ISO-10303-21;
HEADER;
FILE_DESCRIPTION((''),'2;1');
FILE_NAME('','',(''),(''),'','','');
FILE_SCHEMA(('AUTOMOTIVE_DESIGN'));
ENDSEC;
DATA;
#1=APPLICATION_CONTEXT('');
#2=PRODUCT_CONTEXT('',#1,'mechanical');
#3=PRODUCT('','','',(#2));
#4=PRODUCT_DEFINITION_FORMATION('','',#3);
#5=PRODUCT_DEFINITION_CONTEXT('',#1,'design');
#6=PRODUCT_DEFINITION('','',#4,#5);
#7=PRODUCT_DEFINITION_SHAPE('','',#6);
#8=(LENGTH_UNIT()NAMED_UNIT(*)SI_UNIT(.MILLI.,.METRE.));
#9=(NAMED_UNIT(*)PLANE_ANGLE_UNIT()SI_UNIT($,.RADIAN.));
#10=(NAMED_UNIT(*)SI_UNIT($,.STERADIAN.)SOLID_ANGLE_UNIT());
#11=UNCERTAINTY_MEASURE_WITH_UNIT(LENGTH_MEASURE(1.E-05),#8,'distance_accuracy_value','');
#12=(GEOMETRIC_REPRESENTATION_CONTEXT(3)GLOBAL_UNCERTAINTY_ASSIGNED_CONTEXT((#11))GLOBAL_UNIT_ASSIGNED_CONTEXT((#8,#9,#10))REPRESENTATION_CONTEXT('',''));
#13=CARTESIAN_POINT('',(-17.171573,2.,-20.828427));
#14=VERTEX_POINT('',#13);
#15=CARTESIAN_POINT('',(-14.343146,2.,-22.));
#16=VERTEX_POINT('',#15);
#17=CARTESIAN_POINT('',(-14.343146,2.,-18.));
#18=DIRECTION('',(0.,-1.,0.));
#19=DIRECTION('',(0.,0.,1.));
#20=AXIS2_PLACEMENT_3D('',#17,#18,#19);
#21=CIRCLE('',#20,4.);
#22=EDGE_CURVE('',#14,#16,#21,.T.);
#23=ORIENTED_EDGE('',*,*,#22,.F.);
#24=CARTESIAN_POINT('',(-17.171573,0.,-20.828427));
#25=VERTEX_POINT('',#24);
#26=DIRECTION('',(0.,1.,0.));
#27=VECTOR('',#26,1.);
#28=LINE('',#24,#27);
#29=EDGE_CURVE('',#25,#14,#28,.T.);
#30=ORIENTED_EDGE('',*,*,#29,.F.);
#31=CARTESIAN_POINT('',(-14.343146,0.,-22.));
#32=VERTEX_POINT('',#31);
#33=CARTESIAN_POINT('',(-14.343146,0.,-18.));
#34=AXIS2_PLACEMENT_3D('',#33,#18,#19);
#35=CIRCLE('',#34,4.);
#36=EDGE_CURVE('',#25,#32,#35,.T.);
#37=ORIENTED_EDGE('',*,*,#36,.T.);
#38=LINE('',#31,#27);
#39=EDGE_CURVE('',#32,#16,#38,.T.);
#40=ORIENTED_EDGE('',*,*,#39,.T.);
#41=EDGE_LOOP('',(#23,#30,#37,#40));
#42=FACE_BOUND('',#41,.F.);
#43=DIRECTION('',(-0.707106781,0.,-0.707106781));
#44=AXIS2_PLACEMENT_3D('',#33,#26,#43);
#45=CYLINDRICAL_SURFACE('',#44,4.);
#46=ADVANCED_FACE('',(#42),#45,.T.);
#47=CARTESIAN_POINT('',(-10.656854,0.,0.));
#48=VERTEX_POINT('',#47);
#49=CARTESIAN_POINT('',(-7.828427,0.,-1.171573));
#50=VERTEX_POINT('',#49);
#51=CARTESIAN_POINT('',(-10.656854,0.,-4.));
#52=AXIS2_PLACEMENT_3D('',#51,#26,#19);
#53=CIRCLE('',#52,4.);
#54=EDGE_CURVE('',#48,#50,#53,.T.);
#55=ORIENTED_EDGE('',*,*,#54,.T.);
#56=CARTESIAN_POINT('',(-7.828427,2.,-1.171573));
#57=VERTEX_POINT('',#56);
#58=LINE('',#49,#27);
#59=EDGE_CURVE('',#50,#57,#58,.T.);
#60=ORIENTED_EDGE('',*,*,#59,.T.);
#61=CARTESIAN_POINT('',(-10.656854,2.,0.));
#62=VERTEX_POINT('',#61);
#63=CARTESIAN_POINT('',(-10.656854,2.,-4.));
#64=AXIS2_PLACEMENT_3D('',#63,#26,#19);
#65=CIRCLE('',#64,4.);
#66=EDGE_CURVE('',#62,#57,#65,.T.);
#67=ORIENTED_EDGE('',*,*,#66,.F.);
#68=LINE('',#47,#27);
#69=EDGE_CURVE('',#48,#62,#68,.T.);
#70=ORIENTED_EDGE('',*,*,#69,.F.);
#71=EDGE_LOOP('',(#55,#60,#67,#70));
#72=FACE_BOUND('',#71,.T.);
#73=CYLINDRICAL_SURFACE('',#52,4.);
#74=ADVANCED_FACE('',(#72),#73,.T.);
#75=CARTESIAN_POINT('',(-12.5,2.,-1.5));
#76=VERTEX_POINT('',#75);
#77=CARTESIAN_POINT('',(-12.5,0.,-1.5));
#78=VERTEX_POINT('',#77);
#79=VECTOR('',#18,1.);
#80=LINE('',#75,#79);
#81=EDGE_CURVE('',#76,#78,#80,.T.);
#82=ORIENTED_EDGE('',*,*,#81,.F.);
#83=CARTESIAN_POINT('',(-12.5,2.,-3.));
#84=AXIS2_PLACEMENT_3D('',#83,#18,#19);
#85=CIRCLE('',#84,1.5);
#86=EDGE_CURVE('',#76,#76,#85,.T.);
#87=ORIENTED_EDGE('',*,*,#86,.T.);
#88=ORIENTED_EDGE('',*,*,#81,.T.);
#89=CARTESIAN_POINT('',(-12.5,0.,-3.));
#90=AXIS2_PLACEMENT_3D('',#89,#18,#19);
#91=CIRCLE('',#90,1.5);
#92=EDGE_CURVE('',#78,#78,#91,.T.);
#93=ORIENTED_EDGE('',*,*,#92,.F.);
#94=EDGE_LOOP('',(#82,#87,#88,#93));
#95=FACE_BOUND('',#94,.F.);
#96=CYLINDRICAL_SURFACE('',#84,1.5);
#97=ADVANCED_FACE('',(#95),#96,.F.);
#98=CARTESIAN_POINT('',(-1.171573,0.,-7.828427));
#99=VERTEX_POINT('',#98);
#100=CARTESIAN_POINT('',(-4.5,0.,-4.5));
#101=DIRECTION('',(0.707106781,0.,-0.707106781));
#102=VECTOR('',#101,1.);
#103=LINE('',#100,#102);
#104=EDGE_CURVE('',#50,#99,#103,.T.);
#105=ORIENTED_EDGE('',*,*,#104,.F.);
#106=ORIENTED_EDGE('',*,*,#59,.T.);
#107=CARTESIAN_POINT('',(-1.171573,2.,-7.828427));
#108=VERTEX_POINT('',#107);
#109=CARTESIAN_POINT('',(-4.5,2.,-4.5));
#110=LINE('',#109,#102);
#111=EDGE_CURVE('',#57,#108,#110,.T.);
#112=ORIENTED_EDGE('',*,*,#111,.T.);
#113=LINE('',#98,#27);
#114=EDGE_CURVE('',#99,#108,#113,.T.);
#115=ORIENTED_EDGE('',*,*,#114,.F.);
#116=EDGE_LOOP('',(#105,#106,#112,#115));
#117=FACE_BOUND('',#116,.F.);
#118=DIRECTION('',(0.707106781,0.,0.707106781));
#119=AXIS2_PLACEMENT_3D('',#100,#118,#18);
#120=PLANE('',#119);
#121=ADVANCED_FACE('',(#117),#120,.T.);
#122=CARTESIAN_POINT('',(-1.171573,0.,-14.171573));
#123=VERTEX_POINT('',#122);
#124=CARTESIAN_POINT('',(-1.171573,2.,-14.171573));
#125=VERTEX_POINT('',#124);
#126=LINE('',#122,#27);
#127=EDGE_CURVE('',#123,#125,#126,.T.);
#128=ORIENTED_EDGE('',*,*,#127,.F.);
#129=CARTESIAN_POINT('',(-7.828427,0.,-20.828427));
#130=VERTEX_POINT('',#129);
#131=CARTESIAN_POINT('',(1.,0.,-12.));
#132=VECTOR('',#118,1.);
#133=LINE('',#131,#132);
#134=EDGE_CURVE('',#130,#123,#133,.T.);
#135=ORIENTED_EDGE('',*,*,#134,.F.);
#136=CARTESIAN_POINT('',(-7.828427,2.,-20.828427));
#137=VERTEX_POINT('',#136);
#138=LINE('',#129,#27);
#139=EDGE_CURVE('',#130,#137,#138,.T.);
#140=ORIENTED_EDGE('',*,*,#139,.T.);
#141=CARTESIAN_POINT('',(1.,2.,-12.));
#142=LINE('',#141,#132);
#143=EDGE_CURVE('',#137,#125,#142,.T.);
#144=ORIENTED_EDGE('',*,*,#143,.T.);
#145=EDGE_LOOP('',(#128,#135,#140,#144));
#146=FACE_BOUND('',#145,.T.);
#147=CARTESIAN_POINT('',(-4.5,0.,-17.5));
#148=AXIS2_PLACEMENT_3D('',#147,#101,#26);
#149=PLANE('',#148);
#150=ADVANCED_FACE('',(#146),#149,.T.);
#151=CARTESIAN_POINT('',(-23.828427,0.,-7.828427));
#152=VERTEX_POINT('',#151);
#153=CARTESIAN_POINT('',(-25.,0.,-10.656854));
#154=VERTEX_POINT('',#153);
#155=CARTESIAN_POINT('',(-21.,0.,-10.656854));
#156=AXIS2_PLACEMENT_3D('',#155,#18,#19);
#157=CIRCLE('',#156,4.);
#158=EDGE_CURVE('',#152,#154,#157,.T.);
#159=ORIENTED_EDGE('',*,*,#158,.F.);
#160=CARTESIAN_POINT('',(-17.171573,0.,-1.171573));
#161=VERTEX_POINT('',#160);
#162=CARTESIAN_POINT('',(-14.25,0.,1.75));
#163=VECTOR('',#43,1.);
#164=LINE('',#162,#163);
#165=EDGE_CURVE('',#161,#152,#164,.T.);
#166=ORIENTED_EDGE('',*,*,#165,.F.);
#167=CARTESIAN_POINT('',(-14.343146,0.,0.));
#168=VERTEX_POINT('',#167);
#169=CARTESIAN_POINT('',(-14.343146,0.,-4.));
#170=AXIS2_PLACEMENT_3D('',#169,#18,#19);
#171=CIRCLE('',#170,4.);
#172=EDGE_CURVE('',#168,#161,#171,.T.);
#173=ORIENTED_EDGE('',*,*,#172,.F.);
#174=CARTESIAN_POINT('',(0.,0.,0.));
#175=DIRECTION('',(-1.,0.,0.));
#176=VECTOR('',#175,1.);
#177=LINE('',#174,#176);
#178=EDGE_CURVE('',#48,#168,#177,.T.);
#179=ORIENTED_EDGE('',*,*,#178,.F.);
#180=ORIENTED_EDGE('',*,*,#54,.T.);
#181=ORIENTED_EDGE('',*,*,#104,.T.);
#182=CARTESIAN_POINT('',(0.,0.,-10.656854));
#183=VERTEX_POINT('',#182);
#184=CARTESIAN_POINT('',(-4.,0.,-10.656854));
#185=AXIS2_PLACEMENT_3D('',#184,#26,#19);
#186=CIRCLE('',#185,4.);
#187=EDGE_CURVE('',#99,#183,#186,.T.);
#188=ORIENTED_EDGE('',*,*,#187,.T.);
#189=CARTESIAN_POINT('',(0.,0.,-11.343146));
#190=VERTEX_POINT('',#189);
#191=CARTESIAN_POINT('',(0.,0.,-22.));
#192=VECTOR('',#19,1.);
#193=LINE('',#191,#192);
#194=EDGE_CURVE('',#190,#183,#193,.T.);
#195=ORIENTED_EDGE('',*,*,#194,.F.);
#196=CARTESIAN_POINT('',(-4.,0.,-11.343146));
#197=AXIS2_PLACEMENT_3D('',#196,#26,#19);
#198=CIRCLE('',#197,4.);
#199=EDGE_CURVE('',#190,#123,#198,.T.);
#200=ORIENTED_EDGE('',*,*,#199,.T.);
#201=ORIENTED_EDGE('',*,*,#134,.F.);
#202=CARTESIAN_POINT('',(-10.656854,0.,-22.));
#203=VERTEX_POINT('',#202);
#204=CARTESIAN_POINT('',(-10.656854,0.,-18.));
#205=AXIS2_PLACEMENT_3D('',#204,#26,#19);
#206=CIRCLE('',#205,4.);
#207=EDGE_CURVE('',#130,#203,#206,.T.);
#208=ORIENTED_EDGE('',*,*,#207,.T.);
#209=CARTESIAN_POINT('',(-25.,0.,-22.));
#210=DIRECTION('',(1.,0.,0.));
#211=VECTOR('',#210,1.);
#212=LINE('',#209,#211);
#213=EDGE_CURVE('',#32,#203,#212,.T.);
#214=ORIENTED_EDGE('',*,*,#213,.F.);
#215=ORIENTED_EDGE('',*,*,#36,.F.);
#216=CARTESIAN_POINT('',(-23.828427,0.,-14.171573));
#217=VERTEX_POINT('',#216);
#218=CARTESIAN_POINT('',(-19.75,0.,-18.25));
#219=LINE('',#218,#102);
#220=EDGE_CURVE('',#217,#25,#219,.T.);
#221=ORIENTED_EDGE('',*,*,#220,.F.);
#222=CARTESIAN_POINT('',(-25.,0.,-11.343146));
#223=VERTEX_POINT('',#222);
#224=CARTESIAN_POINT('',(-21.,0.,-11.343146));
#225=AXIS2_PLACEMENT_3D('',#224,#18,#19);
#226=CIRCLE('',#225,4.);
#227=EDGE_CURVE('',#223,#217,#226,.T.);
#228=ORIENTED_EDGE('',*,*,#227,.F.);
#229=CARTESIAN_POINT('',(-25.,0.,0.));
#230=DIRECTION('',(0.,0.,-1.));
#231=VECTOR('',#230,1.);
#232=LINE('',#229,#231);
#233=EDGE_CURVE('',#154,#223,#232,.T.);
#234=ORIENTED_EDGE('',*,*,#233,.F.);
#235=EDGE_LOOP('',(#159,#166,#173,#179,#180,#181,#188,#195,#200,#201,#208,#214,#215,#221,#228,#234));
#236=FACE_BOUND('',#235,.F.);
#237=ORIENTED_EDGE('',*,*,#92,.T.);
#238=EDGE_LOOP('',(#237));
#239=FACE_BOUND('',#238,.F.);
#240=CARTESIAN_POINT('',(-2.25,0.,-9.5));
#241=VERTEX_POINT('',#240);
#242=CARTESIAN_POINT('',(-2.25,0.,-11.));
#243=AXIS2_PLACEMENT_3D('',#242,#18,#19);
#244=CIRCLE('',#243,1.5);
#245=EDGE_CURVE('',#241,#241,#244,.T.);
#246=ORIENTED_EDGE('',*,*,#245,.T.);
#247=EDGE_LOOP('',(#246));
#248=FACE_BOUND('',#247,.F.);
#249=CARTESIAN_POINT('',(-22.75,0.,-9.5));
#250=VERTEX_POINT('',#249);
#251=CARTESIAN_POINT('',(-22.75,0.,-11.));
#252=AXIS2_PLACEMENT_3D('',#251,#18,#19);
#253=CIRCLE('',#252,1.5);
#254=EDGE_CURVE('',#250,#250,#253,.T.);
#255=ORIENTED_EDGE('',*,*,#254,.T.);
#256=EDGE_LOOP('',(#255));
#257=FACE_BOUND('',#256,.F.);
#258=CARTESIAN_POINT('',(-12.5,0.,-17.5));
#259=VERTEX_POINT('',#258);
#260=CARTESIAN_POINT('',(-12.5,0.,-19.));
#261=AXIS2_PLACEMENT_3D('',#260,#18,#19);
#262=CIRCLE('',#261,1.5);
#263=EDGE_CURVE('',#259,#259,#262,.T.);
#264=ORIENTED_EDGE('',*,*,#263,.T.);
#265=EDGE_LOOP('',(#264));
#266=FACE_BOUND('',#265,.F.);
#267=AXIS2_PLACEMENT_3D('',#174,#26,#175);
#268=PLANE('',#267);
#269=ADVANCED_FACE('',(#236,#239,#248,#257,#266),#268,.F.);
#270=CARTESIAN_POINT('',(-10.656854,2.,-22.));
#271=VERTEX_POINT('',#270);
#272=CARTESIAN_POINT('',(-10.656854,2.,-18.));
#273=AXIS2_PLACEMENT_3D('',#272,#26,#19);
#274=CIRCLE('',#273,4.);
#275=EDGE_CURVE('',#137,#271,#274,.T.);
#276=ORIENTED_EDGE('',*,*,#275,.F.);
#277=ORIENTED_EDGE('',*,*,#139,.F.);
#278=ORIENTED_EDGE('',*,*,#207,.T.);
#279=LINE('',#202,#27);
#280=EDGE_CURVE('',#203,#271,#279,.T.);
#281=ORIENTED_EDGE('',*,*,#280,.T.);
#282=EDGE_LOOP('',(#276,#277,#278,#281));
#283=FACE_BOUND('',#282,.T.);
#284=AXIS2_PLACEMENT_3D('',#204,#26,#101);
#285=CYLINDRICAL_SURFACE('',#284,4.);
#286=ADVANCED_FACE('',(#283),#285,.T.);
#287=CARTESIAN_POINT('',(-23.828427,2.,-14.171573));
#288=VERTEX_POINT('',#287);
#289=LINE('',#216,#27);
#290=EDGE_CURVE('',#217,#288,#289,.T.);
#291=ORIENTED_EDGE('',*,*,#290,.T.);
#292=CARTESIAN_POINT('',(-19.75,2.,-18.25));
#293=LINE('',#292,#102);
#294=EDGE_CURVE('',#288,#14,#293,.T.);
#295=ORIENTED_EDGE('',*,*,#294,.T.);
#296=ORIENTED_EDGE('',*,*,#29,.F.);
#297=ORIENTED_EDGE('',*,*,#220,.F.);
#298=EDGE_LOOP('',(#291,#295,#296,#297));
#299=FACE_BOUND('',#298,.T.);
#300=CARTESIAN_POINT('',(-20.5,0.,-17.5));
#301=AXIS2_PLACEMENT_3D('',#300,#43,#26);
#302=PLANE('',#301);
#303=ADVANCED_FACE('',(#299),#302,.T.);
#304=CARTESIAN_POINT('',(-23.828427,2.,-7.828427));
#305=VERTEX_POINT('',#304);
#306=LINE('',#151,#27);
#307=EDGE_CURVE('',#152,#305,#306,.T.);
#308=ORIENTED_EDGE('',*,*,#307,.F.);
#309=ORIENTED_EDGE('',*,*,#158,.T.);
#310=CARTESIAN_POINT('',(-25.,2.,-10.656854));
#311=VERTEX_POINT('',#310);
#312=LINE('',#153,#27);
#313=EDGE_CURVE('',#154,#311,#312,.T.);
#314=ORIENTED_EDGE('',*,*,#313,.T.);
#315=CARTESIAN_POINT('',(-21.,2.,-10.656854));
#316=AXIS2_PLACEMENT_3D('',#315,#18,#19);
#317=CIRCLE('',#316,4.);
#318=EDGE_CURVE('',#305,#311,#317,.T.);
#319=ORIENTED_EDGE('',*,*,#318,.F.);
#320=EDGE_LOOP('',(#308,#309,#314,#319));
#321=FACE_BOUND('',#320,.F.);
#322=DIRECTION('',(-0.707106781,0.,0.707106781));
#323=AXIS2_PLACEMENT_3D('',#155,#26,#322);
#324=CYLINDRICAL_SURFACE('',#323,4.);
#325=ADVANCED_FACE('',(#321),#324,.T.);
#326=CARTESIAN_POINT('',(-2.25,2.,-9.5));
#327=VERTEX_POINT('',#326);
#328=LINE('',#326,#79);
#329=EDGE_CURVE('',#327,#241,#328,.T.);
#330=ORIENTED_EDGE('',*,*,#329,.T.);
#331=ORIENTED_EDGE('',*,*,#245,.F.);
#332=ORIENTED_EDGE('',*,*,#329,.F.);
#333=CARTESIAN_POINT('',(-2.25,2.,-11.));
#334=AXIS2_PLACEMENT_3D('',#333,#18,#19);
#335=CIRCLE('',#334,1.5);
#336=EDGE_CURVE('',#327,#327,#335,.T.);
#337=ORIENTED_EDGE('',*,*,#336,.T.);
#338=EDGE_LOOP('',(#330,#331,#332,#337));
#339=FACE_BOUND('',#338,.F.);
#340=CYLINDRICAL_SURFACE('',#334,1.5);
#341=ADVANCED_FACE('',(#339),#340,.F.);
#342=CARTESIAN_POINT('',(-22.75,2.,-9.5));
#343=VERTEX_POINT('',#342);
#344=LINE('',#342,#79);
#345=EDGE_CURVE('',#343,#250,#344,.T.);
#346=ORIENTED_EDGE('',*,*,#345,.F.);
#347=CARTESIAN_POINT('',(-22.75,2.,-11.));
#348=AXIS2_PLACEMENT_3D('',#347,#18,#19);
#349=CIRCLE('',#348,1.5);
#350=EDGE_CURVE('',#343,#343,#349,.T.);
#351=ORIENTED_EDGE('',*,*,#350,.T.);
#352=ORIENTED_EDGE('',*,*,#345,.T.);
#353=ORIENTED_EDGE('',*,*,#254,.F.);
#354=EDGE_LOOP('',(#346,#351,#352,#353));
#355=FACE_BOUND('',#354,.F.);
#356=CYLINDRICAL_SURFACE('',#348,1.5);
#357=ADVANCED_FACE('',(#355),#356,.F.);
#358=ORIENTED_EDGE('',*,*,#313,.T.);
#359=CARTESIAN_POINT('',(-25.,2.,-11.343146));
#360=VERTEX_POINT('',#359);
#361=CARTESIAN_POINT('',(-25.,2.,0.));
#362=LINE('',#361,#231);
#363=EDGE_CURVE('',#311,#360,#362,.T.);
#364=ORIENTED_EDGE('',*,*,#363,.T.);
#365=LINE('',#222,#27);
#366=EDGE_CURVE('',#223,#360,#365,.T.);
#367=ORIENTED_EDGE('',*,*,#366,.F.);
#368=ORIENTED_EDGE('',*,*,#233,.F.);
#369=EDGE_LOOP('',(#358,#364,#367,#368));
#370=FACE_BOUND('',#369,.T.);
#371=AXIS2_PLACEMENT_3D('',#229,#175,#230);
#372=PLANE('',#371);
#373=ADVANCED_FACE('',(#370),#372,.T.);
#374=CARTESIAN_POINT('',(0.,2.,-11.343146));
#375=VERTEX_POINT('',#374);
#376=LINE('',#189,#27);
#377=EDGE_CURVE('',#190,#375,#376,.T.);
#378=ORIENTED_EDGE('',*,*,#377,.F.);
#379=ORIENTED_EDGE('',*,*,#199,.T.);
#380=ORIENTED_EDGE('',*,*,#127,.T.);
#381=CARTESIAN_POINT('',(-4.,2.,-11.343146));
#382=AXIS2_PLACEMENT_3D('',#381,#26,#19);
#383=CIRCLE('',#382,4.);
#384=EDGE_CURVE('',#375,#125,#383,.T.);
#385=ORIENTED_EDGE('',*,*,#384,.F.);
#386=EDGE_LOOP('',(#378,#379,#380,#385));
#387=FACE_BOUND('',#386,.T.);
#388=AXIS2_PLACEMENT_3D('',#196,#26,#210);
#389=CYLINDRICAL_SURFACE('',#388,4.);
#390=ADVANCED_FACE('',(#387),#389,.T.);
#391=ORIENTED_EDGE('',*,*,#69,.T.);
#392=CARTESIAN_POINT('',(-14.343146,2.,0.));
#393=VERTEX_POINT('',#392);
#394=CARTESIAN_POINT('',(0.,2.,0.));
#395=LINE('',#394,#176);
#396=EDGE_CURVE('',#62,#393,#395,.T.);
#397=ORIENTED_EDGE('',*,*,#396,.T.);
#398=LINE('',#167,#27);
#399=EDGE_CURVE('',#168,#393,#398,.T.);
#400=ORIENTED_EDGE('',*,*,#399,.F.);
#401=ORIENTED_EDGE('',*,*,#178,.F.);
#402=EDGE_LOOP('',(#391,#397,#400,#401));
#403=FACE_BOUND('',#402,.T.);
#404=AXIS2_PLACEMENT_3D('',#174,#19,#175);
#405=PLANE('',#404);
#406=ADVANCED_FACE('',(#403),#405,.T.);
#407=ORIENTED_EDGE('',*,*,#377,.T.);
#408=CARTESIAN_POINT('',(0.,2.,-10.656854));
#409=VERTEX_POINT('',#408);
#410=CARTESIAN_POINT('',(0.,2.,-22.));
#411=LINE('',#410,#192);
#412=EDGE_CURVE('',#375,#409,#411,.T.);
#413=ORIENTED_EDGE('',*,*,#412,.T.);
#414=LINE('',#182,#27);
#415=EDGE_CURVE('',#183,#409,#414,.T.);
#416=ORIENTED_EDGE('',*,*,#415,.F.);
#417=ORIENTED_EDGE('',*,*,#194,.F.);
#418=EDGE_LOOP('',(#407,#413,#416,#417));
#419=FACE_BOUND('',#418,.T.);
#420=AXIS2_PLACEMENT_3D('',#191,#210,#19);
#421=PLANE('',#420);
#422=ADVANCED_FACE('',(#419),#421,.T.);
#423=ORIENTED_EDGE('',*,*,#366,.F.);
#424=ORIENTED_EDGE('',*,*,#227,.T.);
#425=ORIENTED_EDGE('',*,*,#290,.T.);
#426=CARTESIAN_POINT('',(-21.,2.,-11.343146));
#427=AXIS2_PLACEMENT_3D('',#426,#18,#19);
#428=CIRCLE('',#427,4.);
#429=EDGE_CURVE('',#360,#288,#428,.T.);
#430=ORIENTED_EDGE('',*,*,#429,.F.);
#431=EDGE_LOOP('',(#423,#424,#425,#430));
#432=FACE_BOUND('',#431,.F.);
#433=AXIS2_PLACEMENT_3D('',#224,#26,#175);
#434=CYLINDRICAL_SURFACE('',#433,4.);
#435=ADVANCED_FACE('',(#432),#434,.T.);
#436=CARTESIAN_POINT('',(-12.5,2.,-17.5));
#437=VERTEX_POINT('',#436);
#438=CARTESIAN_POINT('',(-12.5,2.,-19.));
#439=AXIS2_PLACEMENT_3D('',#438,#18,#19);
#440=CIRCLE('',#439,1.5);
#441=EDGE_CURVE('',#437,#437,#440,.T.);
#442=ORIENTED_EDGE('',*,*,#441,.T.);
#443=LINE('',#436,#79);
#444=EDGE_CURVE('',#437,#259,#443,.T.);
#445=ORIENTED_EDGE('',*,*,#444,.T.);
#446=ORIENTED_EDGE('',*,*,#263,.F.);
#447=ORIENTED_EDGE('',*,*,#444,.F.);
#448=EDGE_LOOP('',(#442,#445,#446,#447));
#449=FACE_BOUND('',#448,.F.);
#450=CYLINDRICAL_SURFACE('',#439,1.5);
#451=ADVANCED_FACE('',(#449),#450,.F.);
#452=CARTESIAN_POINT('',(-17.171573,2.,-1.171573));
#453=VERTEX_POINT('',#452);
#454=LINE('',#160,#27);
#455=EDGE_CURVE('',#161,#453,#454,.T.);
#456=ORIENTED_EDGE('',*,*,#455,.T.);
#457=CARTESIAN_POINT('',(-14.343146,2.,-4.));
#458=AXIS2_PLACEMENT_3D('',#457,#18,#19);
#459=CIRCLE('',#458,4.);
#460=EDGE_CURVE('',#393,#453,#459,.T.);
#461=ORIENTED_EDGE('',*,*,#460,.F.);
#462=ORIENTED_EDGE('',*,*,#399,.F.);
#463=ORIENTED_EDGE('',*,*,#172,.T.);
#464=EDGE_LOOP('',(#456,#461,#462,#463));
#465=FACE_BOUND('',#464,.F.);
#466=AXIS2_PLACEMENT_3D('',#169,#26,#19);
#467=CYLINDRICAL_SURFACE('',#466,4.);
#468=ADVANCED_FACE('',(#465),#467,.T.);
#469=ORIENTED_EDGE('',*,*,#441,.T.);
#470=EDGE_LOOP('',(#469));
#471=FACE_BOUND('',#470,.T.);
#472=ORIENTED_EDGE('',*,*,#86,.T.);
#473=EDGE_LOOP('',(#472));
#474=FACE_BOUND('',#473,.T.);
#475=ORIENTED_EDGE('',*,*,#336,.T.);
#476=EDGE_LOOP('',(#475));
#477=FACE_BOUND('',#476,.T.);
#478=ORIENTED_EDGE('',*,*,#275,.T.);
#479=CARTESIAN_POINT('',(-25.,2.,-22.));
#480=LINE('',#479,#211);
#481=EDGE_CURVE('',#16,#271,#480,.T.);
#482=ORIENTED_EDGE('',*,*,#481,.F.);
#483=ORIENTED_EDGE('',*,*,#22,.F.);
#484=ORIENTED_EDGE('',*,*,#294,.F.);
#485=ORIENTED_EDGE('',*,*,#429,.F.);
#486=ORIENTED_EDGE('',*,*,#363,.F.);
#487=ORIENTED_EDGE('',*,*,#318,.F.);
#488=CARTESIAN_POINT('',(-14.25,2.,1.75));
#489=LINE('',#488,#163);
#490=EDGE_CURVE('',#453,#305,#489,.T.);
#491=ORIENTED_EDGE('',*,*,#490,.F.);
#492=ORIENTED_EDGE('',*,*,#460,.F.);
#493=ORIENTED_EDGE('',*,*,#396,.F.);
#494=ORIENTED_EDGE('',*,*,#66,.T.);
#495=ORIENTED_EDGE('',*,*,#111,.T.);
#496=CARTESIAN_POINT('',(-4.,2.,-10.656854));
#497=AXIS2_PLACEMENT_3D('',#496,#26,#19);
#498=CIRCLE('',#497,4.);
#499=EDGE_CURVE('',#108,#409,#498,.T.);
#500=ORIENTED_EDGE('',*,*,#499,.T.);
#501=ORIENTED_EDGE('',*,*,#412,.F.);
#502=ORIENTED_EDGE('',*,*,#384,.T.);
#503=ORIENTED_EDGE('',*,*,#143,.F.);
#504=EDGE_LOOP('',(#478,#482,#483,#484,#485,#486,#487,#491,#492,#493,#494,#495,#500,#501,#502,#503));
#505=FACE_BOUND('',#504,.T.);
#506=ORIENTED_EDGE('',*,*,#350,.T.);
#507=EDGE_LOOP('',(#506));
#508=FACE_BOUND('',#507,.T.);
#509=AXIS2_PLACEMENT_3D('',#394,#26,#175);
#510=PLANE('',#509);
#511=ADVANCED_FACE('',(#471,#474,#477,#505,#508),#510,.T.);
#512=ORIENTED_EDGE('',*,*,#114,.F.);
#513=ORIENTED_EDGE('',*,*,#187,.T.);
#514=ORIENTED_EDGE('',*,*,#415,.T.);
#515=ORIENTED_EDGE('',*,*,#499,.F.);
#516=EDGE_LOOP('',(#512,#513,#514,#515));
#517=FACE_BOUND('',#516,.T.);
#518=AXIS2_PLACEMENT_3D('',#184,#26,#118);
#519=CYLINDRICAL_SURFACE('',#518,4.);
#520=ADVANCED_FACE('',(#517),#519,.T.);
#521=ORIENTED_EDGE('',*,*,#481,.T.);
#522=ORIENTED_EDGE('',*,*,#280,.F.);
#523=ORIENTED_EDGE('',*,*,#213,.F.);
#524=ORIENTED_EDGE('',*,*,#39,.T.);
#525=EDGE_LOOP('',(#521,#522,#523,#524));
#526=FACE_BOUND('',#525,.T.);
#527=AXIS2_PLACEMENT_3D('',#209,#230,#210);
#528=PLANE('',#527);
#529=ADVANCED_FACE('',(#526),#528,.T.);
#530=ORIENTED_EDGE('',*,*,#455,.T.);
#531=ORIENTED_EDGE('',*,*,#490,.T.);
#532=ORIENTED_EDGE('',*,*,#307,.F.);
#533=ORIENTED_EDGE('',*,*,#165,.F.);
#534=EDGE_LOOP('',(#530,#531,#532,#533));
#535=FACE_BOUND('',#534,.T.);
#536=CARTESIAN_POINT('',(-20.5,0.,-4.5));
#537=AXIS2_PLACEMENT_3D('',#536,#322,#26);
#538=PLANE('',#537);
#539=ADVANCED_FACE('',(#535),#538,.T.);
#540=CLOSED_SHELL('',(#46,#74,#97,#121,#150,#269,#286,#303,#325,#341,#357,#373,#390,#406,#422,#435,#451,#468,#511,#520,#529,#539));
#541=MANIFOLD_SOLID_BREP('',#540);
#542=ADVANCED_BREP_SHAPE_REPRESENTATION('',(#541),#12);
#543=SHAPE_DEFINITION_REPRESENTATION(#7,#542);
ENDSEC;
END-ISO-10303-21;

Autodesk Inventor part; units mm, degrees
ref_plane "YZ Plane" through (0, 0, 0) normal (1, 0, 0) x (0, 1, 0)
ref_plane "XZ Plane" through (0, 0, 0) normal (0, 1, 0) x (-1, 0, 0)
ref_plane "XY Plane" through (0, 0, 0) normal (0, 0, 1) x (1, 0, 0)
sketch "Skizze1" plane through (0, 0, 0) normal (0, 1, 0) x (-1, 0, 0)
  line L0 (0, 0) -> (25, 0)
  line L1 (25, 0) -> (25, -22)
  line L2 (25, -22) -> (0, -22)
  line L3 (0, -22) -> (0, 0)
  dimension "d0" = 25
  dimension "d1" = 22
extrude "Extrusion1" add sketch "Skizze1" along normal blind 2
chamfer "Fase1" distance 9 angle 45 4 edges at (0, 1, 0) (0, 1, -22) (-25, 1, -22) (-25, 1, 0)
fillet "Rundung1" radius 4 8 edges at (-25, 1, -13) (-25, 1, -9) (-16, 1, 0) (-9, 1, 0) (0, 1, -9) (0, 1, -13) (-9, 1, -22) (-16, 1, -22)
sketch "Skizze2" plane through (0, 2, 0) normal (0, 1, 0) x (1, 0, 0)
  line L0 (0, 10.6569) -> (0, 11.3431) projected
  line L1 (-14.3431, 0) -> (-10.6569, 0) projected
  point P0 (0, 0)
  point P1 (-2.25, 11)
  point P2 (-22.75, 11)
  dimension "d8" = 2.25
  dimension "d9" = 20.5
  dimension "d10" = 11
sketch "Skizze3" plane through (0, 2, 0) normal (0, 1, 0) x (1, 0, 0)
  line L0 (-14.3431, 0) -> (-10.6569, 0) projected
  line L1 (0, 10.6569) -> (0, 11.3431) projected
  point P0 (0, 0)
  point P1 (-12.5, 3)
  point P2 (-12.5, 19)
  dimension "d11" = 16
  dimension "d12" = 3
  dimension "d13" = 12.5
hole "Bohrung1" at (-12.5, 2, -3) at (-12.5, 2, -19) direction (0, -1, 0) diameter 3 depth 8 tip angle 118
hole "Bohrung2" at (-2.25, 2, -11) at (-22.75, 2, -11) direction (0, -1, 0) diameter 3 depth 8 tip angle 118
properties part number "KugelradAdapter"
